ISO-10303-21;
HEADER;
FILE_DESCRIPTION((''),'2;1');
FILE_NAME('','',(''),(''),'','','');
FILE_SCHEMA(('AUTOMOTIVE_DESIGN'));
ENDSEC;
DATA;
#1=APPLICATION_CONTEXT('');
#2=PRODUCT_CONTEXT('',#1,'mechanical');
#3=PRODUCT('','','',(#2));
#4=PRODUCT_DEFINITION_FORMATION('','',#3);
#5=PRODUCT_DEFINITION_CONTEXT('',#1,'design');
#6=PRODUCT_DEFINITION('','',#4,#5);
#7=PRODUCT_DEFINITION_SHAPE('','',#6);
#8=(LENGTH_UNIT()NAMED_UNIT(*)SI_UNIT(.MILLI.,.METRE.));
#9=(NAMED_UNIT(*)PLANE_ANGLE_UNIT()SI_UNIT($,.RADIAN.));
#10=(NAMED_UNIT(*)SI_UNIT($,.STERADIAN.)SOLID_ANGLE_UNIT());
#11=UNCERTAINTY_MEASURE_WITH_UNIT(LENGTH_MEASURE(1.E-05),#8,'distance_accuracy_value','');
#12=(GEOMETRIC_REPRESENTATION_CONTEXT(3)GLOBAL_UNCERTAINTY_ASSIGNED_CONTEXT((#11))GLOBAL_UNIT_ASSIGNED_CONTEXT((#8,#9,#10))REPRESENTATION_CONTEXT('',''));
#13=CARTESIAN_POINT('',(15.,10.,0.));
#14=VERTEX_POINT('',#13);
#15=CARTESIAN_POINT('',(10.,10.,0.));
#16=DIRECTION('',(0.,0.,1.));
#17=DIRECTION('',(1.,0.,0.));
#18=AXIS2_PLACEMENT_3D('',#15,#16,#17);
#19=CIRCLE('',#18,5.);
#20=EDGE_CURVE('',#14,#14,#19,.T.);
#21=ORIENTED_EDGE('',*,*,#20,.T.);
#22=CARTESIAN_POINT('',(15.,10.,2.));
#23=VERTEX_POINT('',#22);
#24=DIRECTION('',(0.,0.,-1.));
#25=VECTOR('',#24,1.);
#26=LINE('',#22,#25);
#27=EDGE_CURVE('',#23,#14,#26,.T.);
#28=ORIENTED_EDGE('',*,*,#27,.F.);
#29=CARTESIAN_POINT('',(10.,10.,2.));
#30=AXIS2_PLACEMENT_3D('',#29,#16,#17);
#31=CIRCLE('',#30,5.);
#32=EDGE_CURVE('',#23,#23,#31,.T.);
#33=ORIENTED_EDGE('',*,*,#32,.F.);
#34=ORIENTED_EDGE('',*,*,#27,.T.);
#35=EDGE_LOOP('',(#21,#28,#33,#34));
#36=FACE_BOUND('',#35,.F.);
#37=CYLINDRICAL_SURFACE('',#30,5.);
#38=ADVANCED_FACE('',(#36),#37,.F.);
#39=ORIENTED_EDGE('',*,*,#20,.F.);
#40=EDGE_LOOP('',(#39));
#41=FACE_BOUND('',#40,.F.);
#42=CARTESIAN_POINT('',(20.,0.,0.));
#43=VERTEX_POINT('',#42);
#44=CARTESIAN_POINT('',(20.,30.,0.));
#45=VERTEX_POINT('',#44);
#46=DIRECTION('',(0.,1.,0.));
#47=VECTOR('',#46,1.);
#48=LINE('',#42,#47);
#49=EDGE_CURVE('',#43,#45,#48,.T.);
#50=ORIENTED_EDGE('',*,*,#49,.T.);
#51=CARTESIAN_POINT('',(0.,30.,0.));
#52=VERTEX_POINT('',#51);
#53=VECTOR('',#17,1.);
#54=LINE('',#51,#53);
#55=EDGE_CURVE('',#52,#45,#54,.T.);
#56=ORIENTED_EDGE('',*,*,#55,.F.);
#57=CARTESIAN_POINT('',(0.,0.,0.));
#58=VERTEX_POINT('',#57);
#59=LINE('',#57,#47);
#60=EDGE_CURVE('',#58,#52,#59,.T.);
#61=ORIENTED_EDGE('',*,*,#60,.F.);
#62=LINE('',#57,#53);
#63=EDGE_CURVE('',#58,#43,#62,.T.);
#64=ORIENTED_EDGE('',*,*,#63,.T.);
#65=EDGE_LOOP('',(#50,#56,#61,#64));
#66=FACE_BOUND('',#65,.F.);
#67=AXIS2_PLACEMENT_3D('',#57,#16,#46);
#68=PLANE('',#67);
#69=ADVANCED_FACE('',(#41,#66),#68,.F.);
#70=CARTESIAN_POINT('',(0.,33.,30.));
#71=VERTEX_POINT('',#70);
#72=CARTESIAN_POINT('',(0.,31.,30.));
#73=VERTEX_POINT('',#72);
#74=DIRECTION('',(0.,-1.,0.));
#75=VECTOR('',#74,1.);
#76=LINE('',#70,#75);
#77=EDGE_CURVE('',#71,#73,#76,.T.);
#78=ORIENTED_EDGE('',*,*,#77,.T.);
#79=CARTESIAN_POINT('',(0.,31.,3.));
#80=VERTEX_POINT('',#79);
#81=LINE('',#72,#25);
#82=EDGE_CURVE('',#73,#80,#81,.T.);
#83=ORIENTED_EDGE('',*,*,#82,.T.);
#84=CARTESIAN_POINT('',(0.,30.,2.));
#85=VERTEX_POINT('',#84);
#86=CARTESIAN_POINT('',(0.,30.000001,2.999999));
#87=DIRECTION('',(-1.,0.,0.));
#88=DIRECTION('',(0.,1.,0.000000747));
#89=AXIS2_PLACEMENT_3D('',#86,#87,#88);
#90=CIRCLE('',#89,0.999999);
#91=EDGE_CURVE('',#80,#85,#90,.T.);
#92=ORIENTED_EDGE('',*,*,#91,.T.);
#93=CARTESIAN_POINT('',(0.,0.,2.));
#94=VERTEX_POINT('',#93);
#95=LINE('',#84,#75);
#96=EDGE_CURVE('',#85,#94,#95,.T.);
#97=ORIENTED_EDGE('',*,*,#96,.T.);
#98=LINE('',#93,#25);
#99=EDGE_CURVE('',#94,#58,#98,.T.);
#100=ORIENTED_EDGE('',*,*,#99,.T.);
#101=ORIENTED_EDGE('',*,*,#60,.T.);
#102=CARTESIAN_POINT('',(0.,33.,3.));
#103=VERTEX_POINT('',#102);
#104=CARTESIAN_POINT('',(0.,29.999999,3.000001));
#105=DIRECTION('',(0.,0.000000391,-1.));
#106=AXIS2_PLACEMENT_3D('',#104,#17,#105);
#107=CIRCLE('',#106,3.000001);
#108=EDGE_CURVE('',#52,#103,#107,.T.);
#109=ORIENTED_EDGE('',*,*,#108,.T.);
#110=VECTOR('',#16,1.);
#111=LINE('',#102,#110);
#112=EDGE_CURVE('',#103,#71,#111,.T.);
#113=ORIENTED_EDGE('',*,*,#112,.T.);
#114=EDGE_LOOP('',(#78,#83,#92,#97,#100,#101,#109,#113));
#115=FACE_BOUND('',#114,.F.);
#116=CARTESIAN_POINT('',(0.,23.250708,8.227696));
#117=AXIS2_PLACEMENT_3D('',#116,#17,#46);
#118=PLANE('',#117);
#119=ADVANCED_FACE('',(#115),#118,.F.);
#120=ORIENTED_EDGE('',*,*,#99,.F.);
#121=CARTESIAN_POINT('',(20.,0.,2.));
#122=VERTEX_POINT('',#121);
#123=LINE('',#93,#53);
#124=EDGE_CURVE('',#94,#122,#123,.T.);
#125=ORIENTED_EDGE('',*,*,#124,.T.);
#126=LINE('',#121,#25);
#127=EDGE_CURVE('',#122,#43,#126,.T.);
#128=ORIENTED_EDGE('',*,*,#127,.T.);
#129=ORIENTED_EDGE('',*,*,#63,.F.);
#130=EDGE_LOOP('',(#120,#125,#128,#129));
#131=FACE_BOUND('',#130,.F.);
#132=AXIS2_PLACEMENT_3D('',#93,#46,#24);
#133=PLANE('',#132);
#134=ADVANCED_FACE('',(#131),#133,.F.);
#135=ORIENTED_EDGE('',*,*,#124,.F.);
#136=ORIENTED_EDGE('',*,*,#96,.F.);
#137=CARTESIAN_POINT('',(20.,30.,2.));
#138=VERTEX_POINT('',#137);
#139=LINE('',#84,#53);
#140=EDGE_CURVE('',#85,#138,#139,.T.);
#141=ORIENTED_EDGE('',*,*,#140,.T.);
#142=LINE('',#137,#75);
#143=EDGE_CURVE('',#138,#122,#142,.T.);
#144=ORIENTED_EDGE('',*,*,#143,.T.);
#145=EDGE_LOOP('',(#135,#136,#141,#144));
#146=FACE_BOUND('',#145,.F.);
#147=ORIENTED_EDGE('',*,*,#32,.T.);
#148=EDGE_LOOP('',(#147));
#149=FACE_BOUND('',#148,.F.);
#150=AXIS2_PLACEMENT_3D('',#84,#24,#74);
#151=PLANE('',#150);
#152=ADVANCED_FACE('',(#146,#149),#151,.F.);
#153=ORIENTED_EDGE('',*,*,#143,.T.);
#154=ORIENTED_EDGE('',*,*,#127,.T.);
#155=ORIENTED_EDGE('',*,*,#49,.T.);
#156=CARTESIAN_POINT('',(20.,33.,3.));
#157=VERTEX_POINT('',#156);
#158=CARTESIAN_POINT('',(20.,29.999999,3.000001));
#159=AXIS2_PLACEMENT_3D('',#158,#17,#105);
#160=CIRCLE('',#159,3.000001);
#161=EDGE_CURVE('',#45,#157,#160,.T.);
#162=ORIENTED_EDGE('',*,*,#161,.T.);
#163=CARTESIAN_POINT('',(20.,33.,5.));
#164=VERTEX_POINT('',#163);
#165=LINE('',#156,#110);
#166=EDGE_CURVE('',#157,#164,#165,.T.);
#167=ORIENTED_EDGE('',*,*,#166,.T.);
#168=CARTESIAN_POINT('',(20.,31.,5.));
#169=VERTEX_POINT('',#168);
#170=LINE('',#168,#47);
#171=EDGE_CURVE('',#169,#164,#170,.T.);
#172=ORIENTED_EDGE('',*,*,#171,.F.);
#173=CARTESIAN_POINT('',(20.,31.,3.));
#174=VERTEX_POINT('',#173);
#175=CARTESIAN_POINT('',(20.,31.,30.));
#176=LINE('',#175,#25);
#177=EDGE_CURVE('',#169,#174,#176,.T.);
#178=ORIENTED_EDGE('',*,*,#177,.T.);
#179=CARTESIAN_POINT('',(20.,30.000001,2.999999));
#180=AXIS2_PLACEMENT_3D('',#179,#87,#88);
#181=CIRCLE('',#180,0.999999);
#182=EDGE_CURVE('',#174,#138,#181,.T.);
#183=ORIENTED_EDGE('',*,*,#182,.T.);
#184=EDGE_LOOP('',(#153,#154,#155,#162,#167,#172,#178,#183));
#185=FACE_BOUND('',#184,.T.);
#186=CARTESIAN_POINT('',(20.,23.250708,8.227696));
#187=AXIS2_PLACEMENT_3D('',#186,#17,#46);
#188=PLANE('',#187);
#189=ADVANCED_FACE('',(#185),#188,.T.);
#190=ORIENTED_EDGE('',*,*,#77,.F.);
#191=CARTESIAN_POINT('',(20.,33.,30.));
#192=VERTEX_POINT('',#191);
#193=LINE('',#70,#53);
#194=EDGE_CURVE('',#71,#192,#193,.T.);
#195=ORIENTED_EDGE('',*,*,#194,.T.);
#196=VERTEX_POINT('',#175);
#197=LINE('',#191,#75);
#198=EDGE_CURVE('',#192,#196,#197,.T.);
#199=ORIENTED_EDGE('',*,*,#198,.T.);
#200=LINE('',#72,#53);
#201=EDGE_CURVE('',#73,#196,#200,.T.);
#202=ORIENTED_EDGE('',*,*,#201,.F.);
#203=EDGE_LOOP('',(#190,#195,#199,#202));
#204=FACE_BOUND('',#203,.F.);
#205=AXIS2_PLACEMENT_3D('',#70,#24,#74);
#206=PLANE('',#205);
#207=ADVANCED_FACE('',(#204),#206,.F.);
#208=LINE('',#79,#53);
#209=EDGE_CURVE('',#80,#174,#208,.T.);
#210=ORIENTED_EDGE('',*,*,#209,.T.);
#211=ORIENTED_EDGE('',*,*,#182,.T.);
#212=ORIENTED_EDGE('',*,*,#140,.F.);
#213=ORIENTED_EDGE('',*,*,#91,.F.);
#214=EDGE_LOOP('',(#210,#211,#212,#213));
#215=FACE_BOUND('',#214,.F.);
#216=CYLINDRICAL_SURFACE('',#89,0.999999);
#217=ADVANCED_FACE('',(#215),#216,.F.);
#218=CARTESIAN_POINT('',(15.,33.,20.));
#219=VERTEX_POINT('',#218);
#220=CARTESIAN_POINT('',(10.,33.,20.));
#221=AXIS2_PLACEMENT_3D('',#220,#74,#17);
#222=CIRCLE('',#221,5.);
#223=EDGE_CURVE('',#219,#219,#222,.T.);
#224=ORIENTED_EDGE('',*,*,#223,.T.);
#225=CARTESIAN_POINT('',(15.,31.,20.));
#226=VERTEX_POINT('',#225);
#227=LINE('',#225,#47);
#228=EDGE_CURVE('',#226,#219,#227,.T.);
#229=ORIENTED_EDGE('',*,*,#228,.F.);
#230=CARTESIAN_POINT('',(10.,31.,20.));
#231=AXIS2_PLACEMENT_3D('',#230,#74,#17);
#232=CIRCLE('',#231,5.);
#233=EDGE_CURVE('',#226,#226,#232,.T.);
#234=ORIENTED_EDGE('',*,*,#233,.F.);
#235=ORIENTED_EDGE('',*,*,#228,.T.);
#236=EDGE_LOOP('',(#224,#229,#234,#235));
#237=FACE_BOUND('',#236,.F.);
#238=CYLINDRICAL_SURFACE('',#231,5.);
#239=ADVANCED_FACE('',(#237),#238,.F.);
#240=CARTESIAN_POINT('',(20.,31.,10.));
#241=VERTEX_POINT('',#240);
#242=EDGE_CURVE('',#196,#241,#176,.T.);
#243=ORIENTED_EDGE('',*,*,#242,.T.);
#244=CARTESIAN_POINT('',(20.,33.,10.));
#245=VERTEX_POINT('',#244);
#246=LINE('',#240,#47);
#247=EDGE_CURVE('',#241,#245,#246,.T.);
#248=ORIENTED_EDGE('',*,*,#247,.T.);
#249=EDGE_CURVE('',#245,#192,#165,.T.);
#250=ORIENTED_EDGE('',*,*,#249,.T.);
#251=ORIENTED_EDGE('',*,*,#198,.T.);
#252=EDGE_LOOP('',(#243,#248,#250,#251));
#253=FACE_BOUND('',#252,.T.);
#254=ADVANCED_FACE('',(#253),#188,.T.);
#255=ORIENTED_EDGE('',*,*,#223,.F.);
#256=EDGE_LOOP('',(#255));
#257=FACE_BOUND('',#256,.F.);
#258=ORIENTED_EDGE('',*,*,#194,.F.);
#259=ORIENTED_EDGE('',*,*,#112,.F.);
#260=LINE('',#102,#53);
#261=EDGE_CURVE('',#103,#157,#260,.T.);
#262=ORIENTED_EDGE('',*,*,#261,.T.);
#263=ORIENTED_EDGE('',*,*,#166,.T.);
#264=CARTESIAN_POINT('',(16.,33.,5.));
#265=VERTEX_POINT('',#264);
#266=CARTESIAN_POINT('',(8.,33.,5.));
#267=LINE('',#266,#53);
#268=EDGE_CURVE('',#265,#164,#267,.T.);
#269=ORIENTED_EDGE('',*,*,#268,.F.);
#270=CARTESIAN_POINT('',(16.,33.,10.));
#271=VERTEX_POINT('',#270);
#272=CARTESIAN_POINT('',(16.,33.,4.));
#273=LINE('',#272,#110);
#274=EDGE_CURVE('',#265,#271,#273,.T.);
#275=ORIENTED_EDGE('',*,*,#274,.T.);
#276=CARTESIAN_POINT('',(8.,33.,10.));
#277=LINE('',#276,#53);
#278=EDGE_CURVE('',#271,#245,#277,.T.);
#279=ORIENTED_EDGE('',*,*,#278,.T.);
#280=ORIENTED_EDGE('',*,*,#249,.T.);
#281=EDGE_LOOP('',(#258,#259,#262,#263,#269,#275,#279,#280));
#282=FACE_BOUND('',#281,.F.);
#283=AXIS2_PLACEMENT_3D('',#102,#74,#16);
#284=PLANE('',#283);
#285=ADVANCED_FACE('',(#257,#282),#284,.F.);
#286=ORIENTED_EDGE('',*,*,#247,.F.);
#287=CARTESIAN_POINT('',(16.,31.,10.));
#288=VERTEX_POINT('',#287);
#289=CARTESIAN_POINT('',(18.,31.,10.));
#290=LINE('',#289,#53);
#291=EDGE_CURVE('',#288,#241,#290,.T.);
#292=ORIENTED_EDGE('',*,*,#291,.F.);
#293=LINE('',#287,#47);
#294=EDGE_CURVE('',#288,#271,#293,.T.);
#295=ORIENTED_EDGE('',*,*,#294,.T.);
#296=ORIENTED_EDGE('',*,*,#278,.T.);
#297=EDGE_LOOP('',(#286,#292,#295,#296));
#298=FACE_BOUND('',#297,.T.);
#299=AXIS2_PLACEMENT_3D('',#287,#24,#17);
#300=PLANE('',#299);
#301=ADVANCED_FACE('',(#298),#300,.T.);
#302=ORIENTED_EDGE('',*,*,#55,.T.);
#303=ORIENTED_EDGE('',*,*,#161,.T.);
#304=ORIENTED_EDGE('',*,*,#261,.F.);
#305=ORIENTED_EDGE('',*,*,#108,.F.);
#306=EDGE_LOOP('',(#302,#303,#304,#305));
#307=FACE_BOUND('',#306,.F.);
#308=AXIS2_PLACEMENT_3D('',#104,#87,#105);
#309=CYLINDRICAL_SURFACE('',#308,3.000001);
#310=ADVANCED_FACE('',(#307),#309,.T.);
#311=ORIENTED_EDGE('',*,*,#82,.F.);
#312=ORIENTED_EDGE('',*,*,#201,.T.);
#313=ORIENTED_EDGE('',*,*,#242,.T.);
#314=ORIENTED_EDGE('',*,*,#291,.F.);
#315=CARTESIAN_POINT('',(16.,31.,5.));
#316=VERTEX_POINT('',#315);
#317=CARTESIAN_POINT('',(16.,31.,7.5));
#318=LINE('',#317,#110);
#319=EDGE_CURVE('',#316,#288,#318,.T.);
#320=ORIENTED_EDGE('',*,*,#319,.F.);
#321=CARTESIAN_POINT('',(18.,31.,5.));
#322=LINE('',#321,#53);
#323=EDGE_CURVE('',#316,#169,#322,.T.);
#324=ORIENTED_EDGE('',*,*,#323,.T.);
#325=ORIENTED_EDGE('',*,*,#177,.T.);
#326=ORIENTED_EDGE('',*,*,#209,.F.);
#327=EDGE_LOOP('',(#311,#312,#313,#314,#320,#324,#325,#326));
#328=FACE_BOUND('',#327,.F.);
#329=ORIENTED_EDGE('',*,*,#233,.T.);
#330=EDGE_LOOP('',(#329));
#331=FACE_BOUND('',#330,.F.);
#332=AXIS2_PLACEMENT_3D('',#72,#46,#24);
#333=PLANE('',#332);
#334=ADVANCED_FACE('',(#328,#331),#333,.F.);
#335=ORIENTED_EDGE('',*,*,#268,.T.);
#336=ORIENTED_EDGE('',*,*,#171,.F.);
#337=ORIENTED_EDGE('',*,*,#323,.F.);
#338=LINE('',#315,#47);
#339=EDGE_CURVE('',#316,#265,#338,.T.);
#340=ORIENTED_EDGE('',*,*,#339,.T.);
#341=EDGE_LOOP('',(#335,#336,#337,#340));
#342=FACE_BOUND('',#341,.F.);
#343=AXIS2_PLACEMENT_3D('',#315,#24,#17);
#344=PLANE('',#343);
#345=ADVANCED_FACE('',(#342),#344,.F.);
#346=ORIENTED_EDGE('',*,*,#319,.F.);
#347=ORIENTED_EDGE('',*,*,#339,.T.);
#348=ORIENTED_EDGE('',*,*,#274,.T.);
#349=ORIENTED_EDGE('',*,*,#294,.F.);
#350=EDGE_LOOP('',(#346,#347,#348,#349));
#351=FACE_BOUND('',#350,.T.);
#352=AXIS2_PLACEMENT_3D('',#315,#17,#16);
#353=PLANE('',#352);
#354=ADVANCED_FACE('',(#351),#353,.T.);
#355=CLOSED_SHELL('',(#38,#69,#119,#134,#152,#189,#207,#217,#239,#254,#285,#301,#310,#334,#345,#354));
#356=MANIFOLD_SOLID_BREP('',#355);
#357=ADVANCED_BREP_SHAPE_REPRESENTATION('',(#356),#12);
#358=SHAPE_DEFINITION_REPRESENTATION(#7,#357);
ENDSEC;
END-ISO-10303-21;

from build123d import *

# Parameters (mm, degrees)
F1_DEPTH = 20
F2_R     = 5
F2_W     = 4
F2_H     = 5
F3_DEPTH = 25
F4_R     = 5
F5_DEPTH = 25


with BuildPart() as f1:
    # F0 (on Right) → F1 (new body)
    with BuildSketch(Plane.YZ):
        with BuildLine():
            Line((0, 2), (0, 0))
            Line((0, 0), (30, 0))
            ThreePointArc((30, 0), (32.12132, 0.87868), (33, 3))
            Line((33, 3), (33, 30))
            Line((33, 30), (31, 30))
            Line((31, 30), (31, 3))
            ThreePointArc((31, 3), (30.707107, 2.292893), (30, 2))
            Line((30, 2), (0, 2))
        make_face()
    extrude(amount=F1_DEPTH)

    # F2 (on face) → F3 (cut)
    with BuildSketch(Plane.XZ.offset(-31)):
        with Locations((10, 20)):
            Circle(F2_R)
        with Locations((18, 7.5)):
            Rectangle(F2_W, F2_H)
    extrude(amount=-F3_DEPTH, mode=Mode.SUBTRACT)

    # F4 (on face) → F5 (cut)
    with BuildSketch(Plane.XY.offset(2)):
        with Locations((10, 10)):
            Circle(F4_R)
    extrude(amount=-F5_DEPTH, mode=Mode.SUBTRACT)


solid = f1.part
